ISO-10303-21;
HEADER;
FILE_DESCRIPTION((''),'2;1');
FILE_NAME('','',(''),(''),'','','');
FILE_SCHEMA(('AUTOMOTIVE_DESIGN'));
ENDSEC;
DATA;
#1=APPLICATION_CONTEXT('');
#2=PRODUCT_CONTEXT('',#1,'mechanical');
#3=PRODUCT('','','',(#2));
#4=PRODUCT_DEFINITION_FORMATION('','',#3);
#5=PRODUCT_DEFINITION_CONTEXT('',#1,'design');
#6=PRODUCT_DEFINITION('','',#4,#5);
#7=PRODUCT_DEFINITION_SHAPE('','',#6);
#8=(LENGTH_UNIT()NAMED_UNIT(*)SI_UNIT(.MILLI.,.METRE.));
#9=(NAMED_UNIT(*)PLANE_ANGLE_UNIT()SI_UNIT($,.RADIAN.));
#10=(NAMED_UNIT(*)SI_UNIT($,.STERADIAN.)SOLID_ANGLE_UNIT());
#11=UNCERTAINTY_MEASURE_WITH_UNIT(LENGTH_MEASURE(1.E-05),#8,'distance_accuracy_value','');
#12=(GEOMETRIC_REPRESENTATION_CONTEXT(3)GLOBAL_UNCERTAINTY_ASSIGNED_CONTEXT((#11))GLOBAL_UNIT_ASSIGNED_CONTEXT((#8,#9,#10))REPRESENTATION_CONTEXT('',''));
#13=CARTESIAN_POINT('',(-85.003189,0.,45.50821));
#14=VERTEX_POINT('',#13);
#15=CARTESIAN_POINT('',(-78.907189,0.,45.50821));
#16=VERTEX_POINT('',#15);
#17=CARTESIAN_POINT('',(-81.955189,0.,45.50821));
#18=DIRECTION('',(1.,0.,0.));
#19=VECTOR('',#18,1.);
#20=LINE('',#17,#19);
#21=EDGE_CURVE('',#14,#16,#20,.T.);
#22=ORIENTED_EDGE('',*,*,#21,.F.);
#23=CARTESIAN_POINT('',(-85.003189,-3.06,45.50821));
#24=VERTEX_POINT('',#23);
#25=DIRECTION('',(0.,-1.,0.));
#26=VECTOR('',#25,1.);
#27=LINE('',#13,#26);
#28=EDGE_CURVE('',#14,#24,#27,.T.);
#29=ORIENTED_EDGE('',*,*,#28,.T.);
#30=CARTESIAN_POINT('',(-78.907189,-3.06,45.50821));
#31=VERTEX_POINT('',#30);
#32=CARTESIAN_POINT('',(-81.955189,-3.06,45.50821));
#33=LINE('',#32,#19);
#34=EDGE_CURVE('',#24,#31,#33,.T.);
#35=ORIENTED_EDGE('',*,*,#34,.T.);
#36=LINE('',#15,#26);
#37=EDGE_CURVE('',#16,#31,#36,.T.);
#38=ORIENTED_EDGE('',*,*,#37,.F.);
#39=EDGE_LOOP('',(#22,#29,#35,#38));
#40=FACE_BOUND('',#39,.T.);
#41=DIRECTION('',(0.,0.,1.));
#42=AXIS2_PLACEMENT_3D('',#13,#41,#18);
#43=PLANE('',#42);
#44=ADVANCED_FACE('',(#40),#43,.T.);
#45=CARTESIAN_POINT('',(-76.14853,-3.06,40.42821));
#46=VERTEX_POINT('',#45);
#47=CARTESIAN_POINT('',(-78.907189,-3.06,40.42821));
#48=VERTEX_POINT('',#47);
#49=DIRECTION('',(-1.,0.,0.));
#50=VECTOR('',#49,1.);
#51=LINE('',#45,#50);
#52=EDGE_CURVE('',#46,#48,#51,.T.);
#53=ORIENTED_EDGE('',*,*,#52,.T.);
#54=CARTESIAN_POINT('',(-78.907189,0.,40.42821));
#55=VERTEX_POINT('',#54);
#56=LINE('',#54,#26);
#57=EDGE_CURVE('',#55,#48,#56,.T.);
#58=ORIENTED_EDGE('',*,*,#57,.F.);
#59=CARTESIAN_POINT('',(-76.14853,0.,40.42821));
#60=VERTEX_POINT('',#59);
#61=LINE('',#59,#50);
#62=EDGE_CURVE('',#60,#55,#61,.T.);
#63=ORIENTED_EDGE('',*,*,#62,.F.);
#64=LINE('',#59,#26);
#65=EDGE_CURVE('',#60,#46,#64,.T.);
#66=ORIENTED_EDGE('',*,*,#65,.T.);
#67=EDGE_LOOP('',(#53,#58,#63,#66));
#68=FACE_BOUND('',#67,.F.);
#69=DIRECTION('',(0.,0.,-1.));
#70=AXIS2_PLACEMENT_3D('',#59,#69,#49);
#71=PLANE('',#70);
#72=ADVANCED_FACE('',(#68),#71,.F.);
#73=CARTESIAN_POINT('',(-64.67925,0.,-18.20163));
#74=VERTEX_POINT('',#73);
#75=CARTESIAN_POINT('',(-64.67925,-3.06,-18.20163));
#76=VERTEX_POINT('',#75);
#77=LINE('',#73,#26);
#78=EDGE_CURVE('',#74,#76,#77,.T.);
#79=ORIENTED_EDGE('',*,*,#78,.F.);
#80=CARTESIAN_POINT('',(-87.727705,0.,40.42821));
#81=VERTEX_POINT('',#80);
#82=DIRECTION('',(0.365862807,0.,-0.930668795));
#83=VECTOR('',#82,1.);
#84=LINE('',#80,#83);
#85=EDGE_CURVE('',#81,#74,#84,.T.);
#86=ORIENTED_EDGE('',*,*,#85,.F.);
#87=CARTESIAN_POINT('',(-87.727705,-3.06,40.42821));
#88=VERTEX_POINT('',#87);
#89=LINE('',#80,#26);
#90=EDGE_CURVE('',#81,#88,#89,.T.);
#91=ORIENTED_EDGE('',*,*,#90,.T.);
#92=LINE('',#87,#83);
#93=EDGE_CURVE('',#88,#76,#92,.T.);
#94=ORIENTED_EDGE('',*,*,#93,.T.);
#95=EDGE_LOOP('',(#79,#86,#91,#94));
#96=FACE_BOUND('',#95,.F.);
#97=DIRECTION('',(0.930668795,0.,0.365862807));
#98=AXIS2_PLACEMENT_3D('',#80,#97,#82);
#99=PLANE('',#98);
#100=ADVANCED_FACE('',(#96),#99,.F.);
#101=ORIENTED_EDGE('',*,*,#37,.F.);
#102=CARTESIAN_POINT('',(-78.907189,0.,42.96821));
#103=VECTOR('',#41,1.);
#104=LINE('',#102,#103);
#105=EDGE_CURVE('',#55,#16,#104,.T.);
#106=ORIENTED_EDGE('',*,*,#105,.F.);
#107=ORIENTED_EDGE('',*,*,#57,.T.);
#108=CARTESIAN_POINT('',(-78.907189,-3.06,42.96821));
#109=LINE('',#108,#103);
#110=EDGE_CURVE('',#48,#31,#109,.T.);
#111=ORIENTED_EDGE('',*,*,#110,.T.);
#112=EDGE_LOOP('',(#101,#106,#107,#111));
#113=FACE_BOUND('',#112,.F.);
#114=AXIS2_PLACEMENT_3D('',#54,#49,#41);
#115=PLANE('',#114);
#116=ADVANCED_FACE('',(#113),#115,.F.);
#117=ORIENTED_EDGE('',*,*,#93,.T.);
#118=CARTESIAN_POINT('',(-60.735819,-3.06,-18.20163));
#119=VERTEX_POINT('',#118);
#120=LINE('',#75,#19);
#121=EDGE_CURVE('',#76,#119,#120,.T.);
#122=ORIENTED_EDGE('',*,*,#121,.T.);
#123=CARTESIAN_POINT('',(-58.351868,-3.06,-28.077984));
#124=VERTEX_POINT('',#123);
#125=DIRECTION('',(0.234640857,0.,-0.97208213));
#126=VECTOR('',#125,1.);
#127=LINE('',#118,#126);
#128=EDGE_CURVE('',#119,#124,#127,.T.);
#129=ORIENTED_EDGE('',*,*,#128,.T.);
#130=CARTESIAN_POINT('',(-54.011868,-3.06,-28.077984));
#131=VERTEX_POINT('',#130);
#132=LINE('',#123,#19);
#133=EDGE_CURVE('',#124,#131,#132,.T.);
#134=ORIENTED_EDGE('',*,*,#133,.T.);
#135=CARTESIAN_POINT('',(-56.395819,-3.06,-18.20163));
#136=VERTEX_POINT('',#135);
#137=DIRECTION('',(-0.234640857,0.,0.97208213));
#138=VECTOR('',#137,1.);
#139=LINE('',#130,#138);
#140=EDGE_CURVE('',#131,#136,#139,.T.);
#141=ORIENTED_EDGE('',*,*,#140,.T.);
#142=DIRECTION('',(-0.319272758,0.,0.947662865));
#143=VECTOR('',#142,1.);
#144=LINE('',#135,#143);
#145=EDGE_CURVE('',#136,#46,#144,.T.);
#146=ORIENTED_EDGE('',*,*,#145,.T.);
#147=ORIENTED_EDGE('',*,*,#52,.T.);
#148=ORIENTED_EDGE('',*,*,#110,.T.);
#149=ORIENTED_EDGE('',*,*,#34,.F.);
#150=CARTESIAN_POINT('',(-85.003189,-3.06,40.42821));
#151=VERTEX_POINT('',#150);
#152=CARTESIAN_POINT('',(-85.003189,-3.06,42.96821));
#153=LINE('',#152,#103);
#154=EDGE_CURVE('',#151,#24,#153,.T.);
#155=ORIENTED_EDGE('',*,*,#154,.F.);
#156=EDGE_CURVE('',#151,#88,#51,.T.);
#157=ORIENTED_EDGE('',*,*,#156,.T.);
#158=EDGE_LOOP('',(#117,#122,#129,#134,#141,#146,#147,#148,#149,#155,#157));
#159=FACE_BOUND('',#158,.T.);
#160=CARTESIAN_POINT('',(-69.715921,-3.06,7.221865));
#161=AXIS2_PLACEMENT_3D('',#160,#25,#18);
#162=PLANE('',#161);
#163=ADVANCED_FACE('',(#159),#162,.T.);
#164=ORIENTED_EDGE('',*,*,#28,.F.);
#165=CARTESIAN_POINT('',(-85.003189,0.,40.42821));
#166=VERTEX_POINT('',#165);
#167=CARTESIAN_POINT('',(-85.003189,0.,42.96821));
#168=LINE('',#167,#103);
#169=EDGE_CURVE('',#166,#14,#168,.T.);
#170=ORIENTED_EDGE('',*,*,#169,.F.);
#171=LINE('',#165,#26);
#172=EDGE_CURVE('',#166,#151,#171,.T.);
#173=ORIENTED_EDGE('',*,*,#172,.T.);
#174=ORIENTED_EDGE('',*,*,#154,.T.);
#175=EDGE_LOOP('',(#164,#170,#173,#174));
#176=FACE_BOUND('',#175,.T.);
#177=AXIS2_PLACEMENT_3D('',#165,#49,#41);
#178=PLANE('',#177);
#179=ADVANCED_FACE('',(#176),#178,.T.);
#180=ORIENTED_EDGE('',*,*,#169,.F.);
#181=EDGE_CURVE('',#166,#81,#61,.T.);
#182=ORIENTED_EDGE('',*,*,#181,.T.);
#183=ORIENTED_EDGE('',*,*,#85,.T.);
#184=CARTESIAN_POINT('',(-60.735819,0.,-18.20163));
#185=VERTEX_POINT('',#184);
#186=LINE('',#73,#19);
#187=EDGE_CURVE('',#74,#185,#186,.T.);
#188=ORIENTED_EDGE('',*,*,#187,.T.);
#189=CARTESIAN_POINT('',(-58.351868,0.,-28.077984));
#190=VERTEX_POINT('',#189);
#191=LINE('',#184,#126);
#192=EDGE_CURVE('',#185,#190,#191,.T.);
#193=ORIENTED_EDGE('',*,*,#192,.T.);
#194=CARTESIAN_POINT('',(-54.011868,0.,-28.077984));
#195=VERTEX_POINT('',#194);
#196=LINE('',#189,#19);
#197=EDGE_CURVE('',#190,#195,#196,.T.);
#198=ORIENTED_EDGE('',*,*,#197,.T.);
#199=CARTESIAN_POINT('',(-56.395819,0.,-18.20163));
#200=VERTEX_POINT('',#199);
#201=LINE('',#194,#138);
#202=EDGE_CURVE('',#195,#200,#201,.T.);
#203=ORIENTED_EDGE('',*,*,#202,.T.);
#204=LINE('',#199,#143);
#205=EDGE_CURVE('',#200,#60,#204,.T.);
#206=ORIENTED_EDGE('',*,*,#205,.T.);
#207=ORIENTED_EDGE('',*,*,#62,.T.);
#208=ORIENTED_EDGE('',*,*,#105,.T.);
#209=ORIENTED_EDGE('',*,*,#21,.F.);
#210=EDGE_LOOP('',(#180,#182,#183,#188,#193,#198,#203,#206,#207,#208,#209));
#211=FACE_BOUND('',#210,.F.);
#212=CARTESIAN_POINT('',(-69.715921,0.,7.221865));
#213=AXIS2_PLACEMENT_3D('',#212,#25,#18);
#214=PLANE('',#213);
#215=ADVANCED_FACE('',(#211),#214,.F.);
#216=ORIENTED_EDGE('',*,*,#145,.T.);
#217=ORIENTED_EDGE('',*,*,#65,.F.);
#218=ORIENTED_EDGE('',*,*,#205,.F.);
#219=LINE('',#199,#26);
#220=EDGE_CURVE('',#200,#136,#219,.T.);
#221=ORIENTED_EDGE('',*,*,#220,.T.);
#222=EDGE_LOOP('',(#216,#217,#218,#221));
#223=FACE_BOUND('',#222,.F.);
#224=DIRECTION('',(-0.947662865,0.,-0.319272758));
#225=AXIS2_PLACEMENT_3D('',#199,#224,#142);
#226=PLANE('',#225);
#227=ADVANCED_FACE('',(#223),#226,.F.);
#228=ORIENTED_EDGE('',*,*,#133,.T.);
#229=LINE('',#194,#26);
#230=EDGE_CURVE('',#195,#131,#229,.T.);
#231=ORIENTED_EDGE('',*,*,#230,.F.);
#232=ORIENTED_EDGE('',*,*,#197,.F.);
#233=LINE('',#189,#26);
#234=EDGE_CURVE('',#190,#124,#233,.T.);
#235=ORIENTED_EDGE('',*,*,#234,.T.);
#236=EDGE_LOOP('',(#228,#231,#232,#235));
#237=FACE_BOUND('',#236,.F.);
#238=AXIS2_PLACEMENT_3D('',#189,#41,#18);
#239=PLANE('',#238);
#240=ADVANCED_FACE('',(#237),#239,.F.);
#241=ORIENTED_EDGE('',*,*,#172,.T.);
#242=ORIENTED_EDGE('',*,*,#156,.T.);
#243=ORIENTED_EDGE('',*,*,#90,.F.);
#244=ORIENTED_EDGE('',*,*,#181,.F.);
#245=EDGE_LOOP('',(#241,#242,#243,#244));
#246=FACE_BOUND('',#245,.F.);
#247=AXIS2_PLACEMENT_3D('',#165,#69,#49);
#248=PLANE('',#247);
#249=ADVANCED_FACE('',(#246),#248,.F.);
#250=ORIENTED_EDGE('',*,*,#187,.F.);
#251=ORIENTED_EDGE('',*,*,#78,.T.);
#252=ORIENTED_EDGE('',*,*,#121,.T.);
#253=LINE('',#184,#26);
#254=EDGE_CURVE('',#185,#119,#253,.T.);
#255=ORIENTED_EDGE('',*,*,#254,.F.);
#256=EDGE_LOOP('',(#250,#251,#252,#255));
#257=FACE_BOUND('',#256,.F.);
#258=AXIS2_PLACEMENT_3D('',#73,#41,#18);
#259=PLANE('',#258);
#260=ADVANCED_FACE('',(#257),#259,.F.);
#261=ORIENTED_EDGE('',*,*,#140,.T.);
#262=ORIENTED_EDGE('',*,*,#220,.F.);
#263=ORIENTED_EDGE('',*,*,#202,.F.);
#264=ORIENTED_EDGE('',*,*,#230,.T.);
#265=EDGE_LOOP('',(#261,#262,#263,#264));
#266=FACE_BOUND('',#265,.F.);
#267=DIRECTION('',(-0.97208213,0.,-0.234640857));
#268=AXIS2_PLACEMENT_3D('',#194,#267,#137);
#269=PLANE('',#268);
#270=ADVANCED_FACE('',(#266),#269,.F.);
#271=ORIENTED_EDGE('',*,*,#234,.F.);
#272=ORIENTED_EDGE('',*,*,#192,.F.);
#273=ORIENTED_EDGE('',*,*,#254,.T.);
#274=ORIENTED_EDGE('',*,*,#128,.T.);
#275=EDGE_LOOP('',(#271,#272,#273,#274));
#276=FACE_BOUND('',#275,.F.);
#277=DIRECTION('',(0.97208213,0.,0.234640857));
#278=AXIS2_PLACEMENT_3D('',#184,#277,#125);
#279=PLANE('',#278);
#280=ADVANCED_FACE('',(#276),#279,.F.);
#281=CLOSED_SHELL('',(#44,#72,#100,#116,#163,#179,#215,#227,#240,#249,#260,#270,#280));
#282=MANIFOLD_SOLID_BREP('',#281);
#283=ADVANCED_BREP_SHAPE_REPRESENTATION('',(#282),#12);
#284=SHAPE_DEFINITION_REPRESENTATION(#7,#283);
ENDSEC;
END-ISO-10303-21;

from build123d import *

# Parameters (mm, degrees)
F0_W     = 6.096
F0_H     = 5.08
F1_DEPTH = 3.06


with BuildPart() as f1:
    # F0 (on Front) → F1 (new body)
    with BuildSketch(Plane.XZ):
        Polygon((-64.67925, -18.20163), (-60.735819, -18.20163), (-58.351868, -28.077984), (-54.011868, -28.077984), (-56.395819, -18.20163), (-76.14853, 40.42821), (-78.907189, 40.42821), (-85.003189, 40.42821), (-87.727705, 40.42821), align=None)
        with Locations((-81.955189, 42.96821)):
            Rectangle(F0_W, F0_H)
    extrude(amount=F1_DEPTH)


solid = f1.part
